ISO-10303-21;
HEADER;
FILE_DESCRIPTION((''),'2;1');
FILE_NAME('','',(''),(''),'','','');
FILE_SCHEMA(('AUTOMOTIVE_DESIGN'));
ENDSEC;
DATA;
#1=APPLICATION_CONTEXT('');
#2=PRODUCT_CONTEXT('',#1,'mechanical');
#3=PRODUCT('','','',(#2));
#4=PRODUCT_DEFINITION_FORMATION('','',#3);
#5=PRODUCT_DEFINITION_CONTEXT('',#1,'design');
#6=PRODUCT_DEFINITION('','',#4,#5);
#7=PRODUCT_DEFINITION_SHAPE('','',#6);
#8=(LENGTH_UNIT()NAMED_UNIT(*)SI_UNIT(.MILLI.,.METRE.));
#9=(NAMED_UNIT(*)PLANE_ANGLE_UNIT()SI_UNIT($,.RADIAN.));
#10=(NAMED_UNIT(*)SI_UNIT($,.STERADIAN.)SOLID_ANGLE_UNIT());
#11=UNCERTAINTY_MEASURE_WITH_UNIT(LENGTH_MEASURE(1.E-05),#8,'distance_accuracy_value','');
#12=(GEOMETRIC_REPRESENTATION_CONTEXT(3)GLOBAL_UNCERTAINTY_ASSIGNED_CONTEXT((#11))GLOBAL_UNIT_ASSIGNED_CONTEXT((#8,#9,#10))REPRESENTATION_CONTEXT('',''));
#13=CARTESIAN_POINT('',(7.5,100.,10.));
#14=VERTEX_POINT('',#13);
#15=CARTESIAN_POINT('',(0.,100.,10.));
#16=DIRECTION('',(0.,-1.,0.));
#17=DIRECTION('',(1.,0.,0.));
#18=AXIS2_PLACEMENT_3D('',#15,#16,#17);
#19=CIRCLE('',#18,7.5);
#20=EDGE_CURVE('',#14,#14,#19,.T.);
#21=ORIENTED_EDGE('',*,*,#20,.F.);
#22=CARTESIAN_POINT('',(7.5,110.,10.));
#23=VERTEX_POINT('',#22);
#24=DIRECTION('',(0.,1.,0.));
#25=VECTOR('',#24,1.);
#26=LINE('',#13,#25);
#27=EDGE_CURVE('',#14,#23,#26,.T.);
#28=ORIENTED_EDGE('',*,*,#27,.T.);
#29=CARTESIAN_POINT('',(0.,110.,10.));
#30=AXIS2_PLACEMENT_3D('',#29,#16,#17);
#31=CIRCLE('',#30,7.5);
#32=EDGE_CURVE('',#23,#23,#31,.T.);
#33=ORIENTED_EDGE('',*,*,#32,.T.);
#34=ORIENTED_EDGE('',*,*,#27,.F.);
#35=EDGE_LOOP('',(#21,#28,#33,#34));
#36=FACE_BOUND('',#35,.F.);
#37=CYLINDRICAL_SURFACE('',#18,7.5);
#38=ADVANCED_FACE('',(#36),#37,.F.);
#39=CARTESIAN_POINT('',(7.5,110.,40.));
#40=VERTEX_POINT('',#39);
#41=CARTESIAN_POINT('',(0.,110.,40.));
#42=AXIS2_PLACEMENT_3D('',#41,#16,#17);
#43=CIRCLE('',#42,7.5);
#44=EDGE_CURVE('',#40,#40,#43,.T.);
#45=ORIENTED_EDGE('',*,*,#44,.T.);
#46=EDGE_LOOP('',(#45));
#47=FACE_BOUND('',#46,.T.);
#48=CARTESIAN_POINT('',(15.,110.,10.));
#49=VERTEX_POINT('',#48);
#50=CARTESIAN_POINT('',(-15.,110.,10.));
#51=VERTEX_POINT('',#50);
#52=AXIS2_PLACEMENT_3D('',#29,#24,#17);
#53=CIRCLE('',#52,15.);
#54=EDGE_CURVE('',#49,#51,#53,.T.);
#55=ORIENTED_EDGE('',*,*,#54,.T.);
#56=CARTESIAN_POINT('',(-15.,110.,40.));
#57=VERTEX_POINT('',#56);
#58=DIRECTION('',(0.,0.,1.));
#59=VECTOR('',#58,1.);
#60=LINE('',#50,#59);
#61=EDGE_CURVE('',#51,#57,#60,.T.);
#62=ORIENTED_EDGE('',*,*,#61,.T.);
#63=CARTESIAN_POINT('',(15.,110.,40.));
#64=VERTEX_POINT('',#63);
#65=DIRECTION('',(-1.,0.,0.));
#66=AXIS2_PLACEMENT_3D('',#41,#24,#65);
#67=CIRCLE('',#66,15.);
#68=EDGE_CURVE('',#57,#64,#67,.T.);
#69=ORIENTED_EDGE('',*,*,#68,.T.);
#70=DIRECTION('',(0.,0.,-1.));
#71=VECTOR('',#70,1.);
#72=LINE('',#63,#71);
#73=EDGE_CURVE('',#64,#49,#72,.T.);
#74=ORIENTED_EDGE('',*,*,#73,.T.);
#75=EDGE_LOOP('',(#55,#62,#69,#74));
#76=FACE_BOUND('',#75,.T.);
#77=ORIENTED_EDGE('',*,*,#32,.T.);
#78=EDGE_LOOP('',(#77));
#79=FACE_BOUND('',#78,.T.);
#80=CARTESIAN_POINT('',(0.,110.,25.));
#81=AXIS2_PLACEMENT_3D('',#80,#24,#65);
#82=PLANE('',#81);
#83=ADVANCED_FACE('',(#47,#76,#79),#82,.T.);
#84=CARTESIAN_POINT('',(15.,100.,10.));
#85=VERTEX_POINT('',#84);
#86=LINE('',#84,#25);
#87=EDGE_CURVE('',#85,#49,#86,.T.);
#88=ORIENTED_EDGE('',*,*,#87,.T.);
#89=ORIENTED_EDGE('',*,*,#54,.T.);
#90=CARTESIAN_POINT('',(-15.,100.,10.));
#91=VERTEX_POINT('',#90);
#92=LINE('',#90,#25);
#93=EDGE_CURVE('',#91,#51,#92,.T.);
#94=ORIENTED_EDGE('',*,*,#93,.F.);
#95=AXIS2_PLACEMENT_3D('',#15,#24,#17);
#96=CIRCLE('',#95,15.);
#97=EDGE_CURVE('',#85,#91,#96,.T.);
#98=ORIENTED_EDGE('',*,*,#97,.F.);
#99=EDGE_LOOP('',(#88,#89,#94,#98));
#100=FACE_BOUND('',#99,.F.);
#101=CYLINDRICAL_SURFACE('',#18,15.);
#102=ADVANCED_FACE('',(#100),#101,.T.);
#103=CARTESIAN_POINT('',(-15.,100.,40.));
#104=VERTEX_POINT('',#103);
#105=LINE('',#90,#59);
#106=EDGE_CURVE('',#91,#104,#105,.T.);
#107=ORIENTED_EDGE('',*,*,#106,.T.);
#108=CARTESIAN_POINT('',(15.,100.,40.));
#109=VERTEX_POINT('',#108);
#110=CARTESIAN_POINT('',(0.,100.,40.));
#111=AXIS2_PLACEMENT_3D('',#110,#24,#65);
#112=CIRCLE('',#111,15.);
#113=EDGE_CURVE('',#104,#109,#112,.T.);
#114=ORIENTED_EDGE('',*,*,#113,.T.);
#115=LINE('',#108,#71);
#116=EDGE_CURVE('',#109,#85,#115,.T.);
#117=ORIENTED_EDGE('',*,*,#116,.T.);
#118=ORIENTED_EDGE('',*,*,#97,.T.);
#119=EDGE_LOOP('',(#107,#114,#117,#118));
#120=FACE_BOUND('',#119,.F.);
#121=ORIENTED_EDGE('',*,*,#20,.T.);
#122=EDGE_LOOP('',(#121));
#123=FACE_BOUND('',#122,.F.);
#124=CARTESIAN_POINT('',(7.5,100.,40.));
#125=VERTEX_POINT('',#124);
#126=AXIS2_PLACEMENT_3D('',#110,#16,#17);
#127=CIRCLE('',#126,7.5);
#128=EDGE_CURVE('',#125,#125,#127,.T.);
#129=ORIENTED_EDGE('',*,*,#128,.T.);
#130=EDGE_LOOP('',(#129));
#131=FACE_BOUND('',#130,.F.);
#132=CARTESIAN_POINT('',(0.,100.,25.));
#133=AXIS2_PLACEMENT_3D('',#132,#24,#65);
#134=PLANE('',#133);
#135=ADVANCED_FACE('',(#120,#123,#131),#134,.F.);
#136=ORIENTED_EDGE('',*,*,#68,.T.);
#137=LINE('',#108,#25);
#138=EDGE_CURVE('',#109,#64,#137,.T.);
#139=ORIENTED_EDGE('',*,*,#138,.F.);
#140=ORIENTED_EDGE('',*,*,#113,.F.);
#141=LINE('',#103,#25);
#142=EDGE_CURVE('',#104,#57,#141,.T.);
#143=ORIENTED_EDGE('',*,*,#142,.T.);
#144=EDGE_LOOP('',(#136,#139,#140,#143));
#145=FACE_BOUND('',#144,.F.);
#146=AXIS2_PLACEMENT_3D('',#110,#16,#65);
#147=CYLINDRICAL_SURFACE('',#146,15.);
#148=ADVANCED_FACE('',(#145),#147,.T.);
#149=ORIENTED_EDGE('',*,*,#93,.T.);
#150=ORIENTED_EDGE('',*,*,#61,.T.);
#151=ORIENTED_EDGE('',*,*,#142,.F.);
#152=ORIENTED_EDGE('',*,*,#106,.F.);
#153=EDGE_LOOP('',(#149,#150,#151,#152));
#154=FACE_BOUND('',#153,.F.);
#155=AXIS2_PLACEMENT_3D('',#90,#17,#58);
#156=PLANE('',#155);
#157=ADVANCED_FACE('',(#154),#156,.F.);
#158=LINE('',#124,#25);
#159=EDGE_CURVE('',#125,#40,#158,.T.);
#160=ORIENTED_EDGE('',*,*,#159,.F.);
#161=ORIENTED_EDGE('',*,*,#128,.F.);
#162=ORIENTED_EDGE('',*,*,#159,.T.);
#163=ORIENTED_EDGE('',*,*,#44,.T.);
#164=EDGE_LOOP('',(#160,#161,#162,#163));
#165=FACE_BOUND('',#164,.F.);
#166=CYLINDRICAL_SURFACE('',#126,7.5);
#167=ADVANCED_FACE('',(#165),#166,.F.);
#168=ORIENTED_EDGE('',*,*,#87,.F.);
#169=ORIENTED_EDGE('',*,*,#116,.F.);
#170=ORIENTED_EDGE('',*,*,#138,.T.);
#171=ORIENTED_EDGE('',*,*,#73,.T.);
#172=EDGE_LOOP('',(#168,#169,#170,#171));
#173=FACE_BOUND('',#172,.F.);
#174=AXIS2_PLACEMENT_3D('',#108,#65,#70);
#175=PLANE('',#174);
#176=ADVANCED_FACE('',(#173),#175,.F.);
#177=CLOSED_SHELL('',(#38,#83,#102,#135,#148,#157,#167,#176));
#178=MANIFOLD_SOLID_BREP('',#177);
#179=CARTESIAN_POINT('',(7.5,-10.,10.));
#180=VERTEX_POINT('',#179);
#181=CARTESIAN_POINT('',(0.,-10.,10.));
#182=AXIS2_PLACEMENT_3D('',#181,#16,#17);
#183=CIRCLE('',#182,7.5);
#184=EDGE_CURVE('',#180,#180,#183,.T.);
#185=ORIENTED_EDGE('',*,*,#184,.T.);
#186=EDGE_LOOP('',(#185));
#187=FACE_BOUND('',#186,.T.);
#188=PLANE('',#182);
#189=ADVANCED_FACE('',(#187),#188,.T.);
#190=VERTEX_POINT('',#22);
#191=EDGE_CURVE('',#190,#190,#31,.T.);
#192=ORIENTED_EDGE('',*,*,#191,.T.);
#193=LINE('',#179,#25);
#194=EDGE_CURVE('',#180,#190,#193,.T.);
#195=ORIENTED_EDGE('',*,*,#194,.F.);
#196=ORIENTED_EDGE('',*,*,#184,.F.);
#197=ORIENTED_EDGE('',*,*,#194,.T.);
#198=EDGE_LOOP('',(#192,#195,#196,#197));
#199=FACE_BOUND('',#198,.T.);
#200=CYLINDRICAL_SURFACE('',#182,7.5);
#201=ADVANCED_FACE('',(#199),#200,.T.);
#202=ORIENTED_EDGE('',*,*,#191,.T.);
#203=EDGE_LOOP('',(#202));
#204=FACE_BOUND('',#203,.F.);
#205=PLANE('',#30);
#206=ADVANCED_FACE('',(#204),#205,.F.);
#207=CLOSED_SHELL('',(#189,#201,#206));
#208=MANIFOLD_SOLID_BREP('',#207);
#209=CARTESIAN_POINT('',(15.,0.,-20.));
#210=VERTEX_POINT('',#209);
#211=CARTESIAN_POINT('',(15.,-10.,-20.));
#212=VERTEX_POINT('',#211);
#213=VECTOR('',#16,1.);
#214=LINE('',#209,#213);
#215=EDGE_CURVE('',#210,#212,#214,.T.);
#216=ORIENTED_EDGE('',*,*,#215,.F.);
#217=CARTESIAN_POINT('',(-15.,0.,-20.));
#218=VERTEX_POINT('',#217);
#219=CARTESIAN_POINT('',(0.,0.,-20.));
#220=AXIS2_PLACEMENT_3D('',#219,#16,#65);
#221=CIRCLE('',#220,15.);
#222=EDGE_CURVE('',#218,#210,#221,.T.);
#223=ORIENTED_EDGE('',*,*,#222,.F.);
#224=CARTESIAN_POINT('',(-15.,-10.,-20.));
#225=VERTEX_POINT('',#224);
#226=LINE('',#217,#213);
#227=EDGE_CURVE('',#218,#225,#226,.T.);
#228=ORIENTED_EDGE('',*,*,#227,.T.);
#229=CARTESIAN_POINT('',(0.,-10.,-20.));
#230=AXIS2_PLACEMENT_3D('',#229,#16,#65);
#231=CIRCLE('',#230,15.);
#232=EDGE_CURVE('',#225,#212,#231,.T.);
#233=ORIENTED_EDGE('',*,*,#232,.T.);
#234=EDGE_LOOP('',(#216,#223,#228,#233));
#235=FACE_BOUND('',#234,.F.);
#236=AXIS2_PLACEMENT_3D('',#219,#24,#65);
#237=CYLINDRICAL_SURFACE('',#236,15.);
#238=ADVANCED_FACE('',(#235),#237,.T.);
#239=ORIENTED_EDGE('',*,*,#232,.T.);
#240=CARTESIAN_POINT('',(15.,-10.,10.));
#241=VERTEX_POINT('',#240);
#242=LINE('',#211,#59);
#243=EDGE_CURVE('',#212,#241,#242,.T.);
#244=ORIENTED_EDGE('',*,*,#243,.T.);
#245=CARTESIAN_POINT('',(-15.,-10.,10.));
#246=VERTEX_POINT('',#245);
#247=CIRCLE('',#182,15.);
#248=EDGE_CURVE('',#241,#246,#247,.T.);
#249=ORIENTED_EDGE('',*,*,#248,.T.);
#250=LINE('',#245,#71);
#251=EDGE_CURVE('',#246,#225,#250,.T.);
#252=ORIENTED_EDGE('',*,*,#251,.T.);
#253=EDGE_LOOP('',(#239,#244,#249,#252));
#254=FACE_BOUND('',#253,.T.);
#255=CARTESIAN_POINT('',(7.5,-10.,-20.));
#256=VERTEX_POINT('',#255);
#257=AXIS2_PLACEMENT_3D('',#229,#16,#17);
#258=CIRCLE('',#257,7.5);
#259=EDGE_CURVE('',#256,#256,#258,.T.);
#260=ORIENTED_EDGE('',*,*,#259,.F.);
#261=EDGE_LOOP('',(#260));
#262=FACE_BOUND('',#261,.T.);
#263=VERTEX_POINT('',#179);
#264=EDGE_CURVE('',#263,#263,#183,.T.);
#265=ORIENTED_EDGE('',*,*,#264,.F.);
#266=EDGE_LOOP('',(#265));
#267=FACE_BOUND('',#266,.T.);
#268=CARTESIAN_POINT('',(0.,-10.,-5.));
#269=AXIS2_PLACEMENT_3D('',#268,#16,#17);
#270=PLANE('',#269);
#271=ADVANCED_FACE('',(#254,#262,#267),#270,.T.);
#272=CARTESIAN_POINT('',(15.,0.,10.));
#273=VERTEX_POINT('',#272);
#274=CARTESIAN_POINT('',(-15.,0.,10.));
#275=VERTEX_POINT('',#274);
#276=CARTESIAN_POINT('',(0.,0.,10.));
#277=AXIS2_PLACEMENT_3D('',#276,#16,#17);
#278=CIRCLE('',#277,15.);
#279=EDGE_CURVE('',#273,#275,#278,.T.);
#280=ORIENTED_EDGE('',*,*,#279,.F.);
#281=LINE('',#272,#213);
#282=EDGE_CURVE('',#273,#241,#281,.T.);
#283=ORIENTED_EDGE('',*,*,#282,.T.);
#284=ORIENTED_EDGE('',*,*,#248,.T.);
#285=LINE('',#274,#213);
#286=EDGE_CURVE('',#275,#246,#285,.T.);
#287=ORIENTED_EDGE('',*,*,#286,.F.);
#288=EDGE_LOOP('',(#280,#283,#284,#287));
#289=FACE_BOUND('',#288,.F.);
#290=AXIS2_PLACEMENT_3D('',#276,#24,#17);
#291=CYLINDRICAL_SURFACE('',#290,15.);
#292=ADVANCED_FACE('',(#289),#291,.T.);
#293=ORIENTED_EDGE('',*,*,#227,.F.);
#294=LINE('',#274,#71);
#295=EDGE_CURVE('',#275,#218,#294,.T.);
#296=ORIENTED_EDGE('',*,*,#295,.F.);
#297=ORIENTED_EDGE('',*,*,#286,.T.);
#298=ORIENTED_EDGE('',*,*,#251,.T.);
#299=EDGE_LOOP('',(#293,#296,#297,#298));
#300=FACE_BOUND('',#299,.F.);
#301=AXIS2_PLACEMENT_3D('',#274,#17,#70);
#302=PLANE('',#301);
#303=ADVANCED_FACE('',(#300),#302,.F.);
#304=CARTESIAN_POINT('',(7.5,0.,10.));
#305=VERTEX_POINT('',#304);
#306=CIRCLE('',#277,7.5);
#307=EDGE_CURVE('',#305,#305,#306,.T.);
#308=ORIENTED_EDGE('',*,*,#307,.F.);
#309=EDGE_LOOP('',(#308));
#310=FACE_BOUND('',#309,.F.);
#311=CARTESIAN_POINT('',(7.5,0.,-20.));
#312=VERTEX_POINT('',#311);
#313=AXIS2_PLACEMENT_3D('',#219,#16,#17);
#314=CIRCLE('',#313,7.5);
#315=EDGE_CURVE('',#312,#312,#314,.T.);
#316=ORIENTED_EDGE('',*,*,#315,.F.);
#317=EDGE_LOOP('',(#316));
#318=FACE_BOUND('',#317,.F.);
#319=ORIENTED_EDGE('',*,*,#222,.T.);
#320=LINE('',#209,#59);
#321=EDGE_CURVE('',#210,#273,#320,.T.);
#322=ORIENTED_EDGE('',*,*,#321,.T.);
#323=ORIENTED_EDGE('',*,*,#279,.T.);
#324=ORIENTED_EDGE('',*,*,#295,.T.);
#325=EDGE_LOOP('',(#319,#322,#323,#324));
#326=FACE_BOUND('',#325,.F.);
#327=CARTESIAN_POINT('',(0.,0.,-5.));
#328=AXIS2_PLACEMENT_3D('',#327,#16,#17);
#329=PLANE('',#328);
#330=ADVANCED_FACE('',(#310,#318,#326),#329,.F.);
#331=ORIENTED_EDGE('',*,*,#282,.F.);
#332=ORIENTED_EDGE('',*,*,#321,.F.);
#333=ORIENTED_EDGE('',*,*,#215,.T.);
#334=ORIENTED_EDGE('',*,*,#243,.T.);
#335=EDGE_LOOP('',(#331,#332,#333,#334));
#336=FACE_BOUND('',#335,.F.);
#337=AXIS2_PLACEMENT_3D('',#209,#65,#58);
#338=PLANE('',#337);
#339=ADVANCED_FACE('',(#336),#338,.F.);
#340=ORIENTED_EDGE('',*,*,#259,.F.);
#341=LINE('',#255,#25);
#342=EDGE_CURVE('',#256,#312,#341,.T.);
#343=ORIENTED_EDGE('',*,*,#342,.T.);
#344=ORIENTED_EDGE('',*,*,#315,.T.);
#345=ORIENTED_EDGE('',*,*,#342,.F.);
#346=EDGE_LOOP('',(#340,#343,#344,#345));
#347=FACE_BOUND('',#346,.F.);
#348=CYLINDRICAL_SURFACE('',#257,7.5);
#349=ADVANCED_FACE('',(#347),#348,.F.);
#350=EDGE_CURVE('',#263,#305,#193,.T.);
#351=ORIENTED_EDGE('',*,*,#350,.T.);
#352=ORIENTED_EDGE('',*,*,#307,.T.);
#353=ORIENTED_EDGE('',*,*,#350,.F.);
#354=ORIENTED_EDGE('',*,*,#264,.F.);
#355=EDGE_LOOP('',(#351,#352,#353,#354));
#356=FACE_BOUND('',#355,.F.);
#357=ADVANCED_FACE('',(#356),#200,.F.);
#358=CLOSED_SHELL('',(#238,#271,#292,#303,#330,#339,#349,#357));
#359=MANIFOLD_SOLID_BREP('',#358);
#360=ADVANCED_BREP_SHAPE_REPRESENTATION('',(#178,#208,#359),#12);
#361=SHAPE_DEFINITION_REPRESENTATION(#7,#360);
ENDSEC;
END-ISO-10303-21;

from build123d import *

# Parameters (mm, degrees)
F1_DEPTH  = 10
F2_R      = 7.5
F3_DEPTH  = 25
F6_DEPTH  = 10
F7_R      = 7.5
F8_DEPTH  = 25
F9_R      = 7.5
F10_DEPTH = 120


with BuildPart() as f1:
    # F0 (on Front) → F1 (new body)
    with BuildSketch(Plane.XZ):
        with BuildLine():
            Line((15, -20), (15, 10))
            ThreePointArc((15, 10), (0, 25), (-15, 10))
            Line((-15, 10), (-15, -20))
            ThreePointArc((-15, -20), (0, -35), (15, -20))
        make_face()
    extrude(amount=F1_DEPTH)

    # F2 (on face) → F3 (cut)
    with BuildSketch(Plane.XZ.offset(10)):
        with Locations((0, 10)):
            Circle(F2_R)
        with Locations((0, -20)):
            Circle(F2_R)
    extrude(amount=-F3_DEPTH, mode=Mode.SUBTRACT)


with BuildPart() as f6:
    # F5 (on offset) → F6 (new body)
    with BuildSketch(Plane(origin=(0, 100, 0), x_dir=(-1, 0, 0), z_dir=(0, 1, 0))):
        with BuildLine():
            Line((-15, 40), (-15, 10))
            ThreePointArc((-15, 10), (0, -5), (15, 10))
            Line((15, 10), (15, 40))
            ThreePointArc((15, 40), (0, 55), (-15, 40))
        make_face()
    extrude(amount=F6_DEPTH)

    # F7 (on face) → F8 (cut)
    with BuildSketch(Plane.XZ.offset(-100)):
        with Locations((0, 10)):
            Circle(F7_R)
        with Locations((0, 40)):
            Circle(F7_R)
    extrude(amount=-F8_DEPTH, mode=Mode.SUBTRACT)


with BuildPart() as f10:
    # F9 (on face) → F10 (new body)
    with BuildSketch(Plane.XZ.offset(10)):
        with Locations((0, 10)):
            Circle(F9_R)
    extrude(amount=-F10_DEPTH)


solid = Compound([f1.part, f6.part, f10.part])
